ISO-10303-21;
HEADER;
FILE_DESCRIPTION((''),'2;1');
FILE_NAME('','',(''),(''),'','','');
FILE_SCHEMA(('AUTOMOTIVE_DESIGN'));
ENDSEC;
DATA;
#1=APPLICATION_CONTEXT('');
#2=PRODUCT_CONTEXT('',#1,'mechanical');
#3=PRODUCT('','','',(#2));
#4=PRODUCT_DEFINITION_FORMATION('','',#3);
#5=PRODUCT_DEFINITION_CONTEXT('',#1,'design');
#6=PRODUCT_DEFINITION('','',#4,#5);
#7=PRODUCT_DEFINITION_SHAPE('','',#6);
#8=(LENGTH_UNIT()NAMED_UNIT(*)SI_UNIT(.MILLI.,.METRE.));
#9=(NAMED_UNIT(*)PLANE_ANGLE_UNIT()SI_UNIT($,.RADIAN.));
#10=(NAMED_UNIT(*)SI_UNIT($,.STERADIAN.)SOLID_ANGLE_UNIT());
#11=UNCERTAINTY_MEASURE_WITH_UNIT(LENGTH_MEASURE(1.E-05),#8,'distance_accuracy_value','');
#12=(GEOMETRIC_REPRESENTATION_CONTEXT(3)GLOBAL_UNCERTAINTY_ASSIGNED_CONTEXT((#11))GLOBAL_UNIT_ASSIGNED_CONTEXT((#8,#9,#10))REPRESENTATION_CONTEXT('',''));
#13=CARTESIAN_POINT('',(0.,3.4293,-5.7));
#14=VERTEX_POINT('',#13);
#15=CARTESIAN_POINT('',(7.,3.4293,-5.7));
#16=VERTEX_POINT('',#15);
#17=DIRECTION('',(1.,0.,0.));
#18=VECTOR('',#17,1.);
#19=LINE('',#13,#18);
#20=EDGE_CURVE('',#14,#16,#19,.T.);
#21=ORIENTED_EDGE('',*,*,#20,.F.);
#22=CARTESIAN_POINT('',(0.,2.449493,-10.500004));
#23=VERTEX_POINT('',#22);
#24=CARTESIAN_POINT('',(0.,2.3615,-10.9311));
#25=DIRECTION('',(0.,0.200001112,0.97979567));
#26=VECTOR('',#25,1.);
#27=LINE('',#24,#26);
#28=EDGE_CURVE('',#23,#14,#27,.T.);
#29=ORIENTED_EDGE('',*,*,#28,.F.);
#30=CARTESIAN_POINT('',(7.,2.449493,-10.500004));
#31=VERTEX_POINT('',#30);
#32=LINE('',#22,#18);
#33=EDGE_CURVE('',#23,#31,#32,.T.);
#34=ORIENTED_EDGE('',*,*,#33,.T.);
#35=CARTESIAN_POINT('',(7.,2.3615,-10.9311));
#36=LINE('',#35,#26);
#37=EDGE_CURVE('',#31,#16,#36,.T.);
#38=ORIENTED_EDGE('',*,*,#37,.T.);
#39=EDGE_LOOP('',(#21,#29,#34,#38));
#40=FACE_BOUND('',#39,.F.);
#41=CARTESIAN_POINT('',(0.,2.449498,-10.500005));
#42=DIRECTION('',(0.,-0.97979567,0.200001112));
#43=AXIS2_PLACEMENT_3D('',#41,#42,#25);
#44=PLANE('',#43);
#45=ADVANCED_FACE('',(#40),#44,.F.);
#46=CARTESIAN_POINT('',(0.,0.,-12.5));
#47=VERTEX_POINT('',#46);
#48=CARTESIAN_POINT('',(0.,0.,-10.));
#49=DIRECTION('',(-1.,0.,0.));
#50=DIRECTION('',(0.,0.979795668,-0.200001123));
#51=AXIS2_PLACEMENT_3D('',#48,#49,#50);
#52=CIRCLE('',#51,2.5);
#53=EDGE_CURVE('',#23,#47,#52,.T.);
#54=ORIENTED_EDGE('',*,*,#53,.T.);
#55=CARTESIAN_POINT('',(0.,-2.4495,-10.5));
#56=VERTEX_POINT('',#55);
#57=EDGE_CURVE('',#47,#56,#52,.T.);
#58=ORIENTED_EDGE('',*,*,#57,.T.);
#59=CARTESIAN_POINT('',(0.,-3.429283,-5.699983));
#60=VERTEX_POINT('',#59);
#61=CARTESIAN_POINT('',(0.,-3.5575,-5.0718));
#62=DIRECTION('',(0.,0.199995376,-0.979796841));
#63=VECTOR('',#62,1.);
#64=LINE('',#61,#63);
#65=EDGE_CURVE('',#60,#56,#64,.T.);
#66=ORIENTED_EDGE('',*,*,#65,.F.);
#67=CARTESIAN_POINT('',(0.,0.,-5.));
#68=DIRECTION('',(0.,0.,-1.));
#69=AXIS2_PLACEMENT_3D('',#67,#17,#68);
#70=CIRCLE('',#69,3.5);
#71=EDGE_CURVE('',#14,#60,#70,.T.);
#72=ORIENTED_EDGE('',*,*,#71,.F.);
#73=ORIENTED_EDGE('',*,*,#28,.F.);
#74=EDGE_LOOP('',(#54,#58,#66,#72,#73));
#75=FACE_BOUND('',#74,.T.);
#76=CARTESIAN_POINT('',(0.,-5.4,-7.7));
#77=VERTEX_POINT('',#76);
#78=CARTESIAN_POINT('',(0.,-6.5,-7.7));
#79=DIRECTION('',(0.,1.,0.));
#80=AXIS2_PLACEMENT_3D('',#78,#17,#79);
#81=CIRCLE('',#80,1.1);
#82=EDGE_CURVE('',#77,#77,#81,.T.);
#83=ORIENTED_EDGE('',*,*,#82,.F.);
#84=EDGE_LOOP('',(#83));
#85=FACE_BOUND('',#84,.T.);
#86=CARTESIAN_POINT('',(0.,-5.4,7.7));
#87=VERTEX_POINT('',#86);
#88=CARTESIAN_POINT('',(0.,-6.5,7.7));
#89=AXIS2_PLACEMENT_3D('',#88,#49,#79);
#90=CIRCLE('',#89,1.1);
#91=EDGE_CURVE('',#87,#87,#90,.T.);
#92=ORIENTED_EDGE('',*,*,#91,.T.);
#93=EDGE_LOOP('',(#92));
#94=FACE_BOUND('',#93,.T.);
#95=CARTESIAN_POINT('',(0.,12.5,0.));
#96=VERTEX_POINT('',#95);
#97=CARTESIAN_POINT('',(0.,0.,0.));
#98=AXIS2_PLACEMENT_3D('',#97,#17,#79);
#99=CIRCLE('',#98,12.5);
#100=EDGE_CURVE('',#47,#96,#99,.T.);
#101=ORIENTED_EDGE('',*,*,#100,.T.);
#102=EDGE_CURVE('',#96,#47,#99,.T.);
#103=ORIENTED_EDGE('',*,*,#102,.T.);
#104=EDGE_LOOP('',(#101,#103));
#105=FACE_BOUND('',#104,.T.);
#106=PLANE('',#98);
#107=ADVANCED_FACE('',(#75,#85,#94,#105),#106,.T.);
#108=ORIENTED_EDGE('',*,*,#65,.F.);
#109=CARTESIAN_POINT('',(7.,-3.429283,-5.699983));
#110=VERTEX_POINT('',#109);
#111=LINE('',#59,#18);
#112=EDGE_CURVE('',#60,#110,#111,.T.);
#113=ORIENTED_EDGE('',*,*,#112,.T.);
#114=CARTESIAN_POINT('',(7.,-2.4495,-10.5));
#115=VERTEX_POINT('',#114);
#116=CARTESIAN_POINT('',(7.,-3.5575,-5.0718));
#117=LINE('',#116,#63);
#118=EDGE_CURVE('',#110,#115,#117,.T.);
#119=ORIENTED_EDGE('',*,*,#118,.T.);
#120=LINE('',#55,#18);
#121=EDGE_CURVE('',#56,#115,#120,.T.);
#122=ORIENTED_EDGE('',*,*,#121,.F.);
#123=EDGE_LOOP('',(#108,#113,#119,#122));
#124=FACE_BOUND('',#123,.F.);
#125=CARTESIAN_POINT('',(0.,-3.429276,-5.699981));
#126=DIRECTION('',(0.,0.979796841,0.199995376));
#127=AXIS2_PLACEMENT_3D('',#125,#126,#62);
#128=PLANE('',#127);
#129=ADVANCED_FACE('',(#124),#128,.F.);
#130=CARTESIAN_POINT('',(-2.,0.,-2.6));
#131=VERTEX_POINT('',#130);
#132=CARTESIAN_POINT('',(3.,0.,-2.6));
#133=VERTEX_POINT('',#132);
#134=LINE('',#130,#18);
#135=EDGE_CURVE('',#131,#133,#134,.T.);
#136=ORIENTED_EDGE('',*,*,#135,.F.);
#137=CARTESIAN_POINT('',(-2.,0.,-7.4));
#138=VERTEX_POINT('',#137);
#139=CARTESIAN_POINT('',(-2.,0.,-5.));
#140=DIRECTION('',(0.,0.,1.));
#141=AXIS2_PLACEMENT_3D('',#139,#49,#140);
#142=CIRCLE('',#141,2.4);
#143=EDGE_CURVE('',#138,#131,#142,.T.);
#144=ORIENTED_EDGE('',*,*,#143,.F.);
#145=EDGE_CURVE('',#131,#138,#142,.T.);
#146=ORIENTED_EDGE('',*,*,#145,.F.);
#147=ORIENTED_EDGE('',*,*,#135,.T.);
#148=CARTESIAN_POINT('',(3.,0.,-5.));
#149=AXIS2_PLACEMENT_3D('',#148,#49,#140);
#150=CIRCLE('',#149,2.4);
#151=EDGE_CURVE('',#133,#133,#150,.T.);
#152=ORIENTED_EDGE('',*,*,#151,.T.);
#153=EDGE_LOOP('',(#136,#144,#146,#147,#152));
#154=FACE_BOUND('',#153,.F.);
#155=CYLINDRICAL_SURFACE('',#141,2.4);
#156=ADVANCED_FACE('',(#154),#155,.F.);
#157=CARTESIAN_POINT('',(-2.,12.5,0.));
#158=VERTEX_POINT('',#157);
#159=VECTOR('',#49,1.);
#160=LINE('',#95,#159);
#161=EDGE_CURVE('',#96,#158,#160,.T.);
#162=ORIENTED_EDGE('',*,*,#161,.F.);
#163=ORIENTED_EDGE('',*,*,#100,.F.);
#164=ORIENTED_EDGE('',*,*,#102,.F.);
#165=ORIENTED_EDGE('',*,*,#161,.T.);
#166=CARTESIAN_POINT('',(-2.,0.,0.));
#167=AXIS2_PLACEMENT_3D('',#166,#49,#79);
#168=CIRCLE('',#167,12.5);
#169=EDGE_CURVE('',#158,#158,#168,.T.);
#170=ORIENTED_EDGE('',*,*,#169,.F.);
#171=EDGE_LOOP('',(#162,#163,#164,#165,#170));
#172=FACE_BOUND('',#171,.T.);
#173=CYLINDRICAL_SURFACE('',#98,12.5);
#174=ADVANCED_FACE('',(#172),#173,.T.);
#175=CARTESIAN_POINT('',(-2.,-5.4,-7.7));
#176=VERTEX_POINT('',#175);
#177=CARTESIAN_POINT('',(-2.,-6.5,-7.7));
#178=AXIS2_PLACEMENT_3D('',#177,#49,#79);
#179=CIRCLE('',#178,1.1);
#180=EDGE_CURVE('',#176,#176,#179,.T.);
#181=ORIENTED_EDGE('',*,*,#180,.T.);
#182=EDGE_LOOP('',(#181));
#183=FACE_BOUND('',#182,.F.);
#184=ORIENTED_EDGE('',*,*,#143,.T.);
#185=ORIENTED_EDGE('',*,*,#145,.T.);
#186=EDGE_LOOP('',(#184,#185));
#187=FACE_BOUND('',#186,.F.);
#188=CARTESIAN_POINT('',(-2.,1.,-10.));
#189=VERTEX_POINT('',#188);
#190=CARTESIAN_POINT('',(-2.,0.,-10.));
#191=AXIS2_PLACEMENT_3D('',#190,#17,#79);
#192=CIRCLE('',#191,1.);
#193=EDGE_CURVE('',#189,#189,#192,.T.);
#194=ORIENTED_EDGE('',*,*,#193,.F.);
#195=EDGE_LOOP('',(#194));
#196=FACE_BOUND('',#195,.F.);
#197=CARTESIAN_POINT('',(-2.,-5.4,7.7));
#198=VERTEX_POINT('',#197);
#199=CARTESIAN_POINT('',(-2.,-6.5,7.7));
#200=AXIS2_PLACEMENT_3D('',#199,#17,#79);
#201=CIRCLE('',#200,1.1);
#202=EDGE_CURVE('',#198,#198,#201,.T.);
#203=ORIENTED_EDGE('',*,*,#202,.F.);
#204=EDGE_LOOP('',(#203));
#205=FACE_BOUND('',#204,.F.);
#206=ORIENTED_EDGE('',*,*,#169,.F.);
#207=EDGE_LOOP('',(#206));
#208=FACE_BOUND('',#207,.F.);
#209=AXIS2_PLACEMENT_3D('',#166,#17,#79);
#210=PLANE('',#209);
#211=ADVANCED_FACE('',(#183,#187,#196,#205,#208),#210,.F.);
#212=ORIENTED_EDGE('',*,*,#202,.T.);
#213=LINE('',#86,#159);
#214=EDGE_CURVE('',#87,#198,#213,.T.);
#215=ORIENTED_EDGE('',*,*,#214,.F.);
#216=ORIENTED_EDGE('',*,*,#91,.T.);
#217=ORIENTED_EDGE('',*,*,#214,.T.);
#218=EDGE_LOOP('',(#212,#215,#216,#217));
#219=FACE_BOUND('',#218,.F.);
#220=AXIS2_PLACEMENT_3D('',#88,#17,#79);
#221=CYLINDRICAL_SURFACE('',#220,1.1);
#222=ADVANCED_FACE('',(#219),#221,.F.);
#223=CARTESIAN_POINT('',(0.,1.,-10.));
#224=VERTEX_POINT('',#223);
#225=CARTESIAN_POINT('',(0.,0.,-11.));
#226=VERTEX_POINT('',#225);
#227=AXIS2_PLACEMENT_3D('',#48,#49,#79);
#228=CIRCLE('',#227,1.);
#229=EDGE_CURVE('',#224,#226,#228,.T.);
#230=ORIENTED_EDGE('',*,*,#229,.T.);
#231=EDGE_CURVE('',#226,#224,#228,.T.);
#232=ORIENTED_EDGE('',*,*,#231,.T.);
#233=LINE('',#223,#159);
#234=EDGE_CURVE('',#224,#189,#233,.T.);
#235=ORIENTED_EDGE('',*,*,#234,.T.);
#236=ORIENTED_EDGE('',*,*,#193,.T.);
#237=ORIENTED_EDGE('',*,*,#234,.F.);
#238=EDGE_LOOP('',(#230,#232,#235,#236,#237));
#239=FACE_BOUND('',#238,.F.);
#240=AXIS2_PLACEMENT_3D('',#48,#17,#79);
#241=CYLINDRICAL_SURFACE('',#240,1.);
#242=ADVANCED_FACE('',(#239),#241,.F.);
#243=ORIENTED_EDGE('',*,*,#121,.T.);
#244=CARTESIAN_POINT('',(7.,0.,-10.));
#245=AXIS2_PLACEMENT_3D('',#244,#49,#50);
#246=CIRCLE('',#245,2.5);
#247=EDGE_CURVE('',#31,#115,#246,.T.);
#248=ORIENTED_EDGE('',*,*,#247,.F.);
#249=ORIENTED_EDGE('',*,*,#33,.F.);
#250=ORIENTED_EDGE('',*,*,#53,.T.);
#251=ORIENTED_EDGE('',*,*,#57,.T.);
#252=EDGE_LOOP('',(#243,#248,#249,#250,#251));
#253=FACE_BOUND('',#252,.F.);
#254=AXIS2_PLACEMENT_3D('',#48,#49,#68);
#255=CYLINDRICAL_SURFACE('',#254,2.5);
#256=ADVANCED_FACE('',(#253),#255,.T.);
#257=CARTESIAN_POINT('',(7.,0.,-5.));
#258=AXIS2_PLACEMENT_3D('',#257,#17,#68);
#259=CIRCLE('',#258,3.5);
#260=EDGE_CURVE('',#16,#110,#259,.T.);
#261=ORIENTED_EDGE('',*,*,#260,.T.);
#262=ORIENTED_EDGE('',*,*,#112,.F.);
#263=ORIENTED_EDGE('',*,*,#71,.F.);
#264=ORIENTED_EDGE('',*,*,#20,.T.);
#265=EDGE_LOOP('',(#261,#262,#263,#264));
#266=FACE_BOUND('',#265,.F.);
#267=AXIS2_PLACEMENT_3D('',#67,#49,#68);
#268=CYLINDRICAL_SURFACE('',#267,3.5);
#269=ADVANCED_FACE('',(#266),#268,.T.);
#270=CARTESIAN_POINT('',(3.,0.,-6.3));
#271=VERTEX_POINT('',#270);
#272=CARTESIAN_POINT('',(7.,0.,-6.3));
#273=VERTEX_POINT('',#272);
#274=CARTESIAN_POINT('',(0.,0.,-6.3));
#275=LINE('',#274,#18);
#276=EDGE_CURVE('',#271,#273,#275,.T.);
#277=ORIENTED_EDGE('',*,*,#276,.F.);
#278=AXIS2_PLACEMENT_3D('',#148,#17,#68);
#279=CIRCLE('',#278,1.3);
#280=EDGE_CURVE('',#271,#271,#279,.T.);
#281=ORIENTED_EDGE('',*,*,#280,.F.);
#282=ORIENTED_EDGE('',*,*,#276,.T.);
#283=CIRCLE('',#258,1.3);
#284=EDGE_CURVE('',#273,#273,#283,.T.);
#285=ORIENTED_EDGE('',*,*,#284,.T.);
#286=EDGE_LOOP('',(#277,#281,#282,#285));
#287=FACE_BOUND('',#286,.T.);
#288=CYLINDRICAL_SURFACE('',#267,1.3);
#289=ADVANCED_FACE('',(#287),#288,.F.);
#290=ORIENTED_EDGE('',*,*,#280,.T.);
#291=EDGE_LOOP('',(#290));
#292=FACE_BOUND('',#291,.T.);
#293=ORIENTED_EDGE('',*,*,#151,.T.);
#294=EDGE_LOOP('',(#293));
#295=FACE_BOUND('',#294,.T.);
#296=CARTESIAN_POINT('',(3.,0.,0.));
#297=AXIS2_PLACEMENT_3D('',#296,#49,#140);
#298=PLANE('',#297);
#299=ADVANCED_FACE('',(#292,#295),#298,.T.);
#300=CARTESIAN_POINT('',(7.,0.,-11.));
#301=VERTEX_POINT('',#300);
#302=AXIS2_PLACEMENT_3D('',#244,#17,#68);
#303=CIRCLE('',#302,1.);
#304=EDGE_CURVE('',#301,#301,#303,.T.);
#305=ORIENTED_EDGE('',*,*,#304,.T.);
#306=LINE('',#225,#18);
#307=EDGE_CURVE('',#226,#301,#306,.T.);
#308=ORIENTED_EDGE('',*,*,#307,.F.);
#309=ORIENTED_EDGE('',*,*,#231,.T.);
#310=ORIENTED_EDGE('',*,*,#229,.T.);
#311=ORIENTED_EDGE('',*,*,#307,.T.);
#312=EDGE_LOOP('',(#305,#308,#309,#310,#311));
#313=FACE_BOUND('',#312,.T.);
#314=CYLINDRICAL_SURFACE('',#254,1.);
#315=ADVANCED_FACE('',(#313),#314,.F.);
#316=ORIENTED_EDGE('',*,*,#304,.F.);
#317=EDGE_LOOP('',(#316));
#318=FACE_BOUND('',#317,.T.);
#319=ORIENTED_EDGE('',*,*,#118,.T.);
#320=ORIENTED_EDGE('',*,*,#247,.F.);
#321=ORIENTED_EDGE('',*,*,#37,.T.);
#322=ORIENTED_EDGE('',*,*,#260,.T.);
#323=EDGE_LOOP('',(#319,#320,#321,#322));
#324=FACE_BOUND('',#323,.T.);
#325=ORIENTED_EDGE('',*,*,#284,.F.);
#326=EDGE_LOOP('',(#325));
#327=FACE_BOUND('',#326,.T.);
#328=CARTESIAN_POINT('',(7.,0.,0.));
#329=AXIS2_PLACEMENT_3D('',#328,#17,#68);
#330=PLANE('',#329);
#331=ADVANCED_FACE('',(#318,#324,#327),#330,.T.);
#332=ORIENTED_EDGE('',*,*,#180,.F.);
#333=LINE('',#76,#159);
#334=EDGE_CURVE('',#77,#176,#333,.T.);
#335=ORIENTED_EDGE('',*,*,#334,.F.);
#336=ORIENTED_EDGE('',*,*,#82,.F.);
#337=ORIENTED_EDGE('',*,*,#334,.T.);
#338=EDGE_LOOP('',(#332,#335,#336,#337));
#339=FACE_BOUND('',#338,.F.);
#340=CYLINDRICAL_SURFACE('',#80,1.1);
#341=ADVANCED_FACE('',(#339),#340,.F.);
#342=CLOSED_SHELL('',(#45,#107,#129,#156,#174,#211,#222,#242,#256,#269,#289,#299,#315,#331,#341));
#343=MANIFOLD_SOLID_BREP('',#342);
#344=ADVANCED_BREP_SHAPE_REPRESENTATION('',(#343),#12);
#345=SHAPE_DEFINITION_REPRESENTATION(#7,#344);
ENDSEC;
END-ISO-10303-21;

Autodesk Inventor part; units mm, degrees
ref_plane "YZ Plane" through (0, 0, 0) normal (1, 0, 0) x (0, 1, 0)
ref_plane "XZ Plane" through (0, 0, 0) normal (0, 1, 0) x (-1, 0, 0)
ref_plane "XY Plane" through (0, 0, 0) normal (0, 0, 1) x (1, 0, 0)
sketch "スケッチ1" plane through (0, 0, 0) normal (1, 0, 0) x (0, 1, 0)
  circle A0 centre (0, 0) radius 10
  circle A1 centre (0, 0) radius 12.5
  circle A2 centre (0, -5) radius 1.3
  circle A3 centre (0, -10) radius 1
  circle A4 centre (0, -5) radius 3.5
  circle A5 centre (0, -10) radius 2.5
  circle A6 centre (-6.5, 7.7) radius 1.1
  circle A7 centre (-6.5, -7.7) radius 1.1
  line L0 (-6.5, 7.7) -> (-6.5, -7.7)
  line L1 (0, -5) -> (0, -10)
  line L2 (3.5006, -5.3506) -> (2.4495, -10.5)
  line L3 (-3.6097, -4.8161) -> (-2.4495, -10.5)
  dimension "d0" = 20
  dimension "d1" = 25
  dimension "d2" = 2.6
  dimension "d3" = 2
  dimension "d4" = 5
  dimension "d5" = 7
  dimension "d6" = 5
  dimension "d7" = 2.2
  dimension "d8" = 2.2
  dimension "d9" = 15.4
  dimension "d10" = 7.7
  dimension "d12" = 10
  dimension "d13" = 0
  dimension "d14" = 6.5
  dimension "d15" = 3.5
  dimension "d16" = 3.5
extrude "押し出し1" add sketch "スケッチ1" against normal blind 2 contours A0 L2 A4 L3 A7 L0 A6 | A1 | L2 A5 A0 | A0 A5 A4 L2 | A6 L0 A7 A0 | A5 A0 A3 | A0 A3 L1 A4 A5 | A4 A5 | A4 L1 A5 | A3 A0 A5 A4 L1 | A4 A5 L1 | A4 A5 A0 L3 | L3 A0 A5
sketch "スケッチ2" plane through (0, 0, 0) normal (1, 0, 0) x (0, 0, -1)
  circle A0 centre (5, 0) radius 1.3 projected
  circle A1 centre (5, 0) radius 1.3
  circle A2 centre (5, 0) radius 3.5
  circle A3 centre (10, 0) radius 1 projected
  circle A4 centre (10, 0) radius 1
  circle A5 centre (10, 0) radius 2.5
  line L0 (10.9311, 2.3615) -> (5.7, 3.4293)
  line L1 (5.0718, -3.5575) -> (10.5, -2.4495)
  point P0 (0, 0)
  point P1 (5.7, -3.4293)
  point P2 (10.5, 2.4495)
  dimension "d19" = 7
  dimension "d20" = 5
  dimension "d21" = 2.5
  dimension "d22" = 3.5
extrude "押し出し2" add sketch "スケッチ2" along normal blind 7
sketch "スケッチ3" plane through (-2, 0, 0) normal (-1, 0, 0) x (0, 0, 1)
  circle A0 centre (-5, 0) radius 1.3 projected
  circle A1 centre (-5, 0) radius 1.3
  circle A2 centre (-5, 0) radius 2.4
  point P0 (0, 0)
  dimension "d25" = 4.8
extrude "押し出し3" cut sketch "スケッチ3" against normal blind 5
sketch "スケッチ5" plane through (-2, 0, 0) normal (-1, 0, 0) x (0, 0, 1)
  circle A0 centre (0, 0) radius 12.5 projected
  point P0 (-12.5, 0)
ref_plane "作業平面2" through (-2, 0, -12.5) normal (0, 0, -1) x (-1, 0, 0)
equation "\"d8\" = d7"
equation "\"d10\" = 0.5 * d9"
equation "\"d15\" = 0.5 * d5"
equation "\"d16\" = d15"
properties part number "RSFF_mount_1_clearance"
